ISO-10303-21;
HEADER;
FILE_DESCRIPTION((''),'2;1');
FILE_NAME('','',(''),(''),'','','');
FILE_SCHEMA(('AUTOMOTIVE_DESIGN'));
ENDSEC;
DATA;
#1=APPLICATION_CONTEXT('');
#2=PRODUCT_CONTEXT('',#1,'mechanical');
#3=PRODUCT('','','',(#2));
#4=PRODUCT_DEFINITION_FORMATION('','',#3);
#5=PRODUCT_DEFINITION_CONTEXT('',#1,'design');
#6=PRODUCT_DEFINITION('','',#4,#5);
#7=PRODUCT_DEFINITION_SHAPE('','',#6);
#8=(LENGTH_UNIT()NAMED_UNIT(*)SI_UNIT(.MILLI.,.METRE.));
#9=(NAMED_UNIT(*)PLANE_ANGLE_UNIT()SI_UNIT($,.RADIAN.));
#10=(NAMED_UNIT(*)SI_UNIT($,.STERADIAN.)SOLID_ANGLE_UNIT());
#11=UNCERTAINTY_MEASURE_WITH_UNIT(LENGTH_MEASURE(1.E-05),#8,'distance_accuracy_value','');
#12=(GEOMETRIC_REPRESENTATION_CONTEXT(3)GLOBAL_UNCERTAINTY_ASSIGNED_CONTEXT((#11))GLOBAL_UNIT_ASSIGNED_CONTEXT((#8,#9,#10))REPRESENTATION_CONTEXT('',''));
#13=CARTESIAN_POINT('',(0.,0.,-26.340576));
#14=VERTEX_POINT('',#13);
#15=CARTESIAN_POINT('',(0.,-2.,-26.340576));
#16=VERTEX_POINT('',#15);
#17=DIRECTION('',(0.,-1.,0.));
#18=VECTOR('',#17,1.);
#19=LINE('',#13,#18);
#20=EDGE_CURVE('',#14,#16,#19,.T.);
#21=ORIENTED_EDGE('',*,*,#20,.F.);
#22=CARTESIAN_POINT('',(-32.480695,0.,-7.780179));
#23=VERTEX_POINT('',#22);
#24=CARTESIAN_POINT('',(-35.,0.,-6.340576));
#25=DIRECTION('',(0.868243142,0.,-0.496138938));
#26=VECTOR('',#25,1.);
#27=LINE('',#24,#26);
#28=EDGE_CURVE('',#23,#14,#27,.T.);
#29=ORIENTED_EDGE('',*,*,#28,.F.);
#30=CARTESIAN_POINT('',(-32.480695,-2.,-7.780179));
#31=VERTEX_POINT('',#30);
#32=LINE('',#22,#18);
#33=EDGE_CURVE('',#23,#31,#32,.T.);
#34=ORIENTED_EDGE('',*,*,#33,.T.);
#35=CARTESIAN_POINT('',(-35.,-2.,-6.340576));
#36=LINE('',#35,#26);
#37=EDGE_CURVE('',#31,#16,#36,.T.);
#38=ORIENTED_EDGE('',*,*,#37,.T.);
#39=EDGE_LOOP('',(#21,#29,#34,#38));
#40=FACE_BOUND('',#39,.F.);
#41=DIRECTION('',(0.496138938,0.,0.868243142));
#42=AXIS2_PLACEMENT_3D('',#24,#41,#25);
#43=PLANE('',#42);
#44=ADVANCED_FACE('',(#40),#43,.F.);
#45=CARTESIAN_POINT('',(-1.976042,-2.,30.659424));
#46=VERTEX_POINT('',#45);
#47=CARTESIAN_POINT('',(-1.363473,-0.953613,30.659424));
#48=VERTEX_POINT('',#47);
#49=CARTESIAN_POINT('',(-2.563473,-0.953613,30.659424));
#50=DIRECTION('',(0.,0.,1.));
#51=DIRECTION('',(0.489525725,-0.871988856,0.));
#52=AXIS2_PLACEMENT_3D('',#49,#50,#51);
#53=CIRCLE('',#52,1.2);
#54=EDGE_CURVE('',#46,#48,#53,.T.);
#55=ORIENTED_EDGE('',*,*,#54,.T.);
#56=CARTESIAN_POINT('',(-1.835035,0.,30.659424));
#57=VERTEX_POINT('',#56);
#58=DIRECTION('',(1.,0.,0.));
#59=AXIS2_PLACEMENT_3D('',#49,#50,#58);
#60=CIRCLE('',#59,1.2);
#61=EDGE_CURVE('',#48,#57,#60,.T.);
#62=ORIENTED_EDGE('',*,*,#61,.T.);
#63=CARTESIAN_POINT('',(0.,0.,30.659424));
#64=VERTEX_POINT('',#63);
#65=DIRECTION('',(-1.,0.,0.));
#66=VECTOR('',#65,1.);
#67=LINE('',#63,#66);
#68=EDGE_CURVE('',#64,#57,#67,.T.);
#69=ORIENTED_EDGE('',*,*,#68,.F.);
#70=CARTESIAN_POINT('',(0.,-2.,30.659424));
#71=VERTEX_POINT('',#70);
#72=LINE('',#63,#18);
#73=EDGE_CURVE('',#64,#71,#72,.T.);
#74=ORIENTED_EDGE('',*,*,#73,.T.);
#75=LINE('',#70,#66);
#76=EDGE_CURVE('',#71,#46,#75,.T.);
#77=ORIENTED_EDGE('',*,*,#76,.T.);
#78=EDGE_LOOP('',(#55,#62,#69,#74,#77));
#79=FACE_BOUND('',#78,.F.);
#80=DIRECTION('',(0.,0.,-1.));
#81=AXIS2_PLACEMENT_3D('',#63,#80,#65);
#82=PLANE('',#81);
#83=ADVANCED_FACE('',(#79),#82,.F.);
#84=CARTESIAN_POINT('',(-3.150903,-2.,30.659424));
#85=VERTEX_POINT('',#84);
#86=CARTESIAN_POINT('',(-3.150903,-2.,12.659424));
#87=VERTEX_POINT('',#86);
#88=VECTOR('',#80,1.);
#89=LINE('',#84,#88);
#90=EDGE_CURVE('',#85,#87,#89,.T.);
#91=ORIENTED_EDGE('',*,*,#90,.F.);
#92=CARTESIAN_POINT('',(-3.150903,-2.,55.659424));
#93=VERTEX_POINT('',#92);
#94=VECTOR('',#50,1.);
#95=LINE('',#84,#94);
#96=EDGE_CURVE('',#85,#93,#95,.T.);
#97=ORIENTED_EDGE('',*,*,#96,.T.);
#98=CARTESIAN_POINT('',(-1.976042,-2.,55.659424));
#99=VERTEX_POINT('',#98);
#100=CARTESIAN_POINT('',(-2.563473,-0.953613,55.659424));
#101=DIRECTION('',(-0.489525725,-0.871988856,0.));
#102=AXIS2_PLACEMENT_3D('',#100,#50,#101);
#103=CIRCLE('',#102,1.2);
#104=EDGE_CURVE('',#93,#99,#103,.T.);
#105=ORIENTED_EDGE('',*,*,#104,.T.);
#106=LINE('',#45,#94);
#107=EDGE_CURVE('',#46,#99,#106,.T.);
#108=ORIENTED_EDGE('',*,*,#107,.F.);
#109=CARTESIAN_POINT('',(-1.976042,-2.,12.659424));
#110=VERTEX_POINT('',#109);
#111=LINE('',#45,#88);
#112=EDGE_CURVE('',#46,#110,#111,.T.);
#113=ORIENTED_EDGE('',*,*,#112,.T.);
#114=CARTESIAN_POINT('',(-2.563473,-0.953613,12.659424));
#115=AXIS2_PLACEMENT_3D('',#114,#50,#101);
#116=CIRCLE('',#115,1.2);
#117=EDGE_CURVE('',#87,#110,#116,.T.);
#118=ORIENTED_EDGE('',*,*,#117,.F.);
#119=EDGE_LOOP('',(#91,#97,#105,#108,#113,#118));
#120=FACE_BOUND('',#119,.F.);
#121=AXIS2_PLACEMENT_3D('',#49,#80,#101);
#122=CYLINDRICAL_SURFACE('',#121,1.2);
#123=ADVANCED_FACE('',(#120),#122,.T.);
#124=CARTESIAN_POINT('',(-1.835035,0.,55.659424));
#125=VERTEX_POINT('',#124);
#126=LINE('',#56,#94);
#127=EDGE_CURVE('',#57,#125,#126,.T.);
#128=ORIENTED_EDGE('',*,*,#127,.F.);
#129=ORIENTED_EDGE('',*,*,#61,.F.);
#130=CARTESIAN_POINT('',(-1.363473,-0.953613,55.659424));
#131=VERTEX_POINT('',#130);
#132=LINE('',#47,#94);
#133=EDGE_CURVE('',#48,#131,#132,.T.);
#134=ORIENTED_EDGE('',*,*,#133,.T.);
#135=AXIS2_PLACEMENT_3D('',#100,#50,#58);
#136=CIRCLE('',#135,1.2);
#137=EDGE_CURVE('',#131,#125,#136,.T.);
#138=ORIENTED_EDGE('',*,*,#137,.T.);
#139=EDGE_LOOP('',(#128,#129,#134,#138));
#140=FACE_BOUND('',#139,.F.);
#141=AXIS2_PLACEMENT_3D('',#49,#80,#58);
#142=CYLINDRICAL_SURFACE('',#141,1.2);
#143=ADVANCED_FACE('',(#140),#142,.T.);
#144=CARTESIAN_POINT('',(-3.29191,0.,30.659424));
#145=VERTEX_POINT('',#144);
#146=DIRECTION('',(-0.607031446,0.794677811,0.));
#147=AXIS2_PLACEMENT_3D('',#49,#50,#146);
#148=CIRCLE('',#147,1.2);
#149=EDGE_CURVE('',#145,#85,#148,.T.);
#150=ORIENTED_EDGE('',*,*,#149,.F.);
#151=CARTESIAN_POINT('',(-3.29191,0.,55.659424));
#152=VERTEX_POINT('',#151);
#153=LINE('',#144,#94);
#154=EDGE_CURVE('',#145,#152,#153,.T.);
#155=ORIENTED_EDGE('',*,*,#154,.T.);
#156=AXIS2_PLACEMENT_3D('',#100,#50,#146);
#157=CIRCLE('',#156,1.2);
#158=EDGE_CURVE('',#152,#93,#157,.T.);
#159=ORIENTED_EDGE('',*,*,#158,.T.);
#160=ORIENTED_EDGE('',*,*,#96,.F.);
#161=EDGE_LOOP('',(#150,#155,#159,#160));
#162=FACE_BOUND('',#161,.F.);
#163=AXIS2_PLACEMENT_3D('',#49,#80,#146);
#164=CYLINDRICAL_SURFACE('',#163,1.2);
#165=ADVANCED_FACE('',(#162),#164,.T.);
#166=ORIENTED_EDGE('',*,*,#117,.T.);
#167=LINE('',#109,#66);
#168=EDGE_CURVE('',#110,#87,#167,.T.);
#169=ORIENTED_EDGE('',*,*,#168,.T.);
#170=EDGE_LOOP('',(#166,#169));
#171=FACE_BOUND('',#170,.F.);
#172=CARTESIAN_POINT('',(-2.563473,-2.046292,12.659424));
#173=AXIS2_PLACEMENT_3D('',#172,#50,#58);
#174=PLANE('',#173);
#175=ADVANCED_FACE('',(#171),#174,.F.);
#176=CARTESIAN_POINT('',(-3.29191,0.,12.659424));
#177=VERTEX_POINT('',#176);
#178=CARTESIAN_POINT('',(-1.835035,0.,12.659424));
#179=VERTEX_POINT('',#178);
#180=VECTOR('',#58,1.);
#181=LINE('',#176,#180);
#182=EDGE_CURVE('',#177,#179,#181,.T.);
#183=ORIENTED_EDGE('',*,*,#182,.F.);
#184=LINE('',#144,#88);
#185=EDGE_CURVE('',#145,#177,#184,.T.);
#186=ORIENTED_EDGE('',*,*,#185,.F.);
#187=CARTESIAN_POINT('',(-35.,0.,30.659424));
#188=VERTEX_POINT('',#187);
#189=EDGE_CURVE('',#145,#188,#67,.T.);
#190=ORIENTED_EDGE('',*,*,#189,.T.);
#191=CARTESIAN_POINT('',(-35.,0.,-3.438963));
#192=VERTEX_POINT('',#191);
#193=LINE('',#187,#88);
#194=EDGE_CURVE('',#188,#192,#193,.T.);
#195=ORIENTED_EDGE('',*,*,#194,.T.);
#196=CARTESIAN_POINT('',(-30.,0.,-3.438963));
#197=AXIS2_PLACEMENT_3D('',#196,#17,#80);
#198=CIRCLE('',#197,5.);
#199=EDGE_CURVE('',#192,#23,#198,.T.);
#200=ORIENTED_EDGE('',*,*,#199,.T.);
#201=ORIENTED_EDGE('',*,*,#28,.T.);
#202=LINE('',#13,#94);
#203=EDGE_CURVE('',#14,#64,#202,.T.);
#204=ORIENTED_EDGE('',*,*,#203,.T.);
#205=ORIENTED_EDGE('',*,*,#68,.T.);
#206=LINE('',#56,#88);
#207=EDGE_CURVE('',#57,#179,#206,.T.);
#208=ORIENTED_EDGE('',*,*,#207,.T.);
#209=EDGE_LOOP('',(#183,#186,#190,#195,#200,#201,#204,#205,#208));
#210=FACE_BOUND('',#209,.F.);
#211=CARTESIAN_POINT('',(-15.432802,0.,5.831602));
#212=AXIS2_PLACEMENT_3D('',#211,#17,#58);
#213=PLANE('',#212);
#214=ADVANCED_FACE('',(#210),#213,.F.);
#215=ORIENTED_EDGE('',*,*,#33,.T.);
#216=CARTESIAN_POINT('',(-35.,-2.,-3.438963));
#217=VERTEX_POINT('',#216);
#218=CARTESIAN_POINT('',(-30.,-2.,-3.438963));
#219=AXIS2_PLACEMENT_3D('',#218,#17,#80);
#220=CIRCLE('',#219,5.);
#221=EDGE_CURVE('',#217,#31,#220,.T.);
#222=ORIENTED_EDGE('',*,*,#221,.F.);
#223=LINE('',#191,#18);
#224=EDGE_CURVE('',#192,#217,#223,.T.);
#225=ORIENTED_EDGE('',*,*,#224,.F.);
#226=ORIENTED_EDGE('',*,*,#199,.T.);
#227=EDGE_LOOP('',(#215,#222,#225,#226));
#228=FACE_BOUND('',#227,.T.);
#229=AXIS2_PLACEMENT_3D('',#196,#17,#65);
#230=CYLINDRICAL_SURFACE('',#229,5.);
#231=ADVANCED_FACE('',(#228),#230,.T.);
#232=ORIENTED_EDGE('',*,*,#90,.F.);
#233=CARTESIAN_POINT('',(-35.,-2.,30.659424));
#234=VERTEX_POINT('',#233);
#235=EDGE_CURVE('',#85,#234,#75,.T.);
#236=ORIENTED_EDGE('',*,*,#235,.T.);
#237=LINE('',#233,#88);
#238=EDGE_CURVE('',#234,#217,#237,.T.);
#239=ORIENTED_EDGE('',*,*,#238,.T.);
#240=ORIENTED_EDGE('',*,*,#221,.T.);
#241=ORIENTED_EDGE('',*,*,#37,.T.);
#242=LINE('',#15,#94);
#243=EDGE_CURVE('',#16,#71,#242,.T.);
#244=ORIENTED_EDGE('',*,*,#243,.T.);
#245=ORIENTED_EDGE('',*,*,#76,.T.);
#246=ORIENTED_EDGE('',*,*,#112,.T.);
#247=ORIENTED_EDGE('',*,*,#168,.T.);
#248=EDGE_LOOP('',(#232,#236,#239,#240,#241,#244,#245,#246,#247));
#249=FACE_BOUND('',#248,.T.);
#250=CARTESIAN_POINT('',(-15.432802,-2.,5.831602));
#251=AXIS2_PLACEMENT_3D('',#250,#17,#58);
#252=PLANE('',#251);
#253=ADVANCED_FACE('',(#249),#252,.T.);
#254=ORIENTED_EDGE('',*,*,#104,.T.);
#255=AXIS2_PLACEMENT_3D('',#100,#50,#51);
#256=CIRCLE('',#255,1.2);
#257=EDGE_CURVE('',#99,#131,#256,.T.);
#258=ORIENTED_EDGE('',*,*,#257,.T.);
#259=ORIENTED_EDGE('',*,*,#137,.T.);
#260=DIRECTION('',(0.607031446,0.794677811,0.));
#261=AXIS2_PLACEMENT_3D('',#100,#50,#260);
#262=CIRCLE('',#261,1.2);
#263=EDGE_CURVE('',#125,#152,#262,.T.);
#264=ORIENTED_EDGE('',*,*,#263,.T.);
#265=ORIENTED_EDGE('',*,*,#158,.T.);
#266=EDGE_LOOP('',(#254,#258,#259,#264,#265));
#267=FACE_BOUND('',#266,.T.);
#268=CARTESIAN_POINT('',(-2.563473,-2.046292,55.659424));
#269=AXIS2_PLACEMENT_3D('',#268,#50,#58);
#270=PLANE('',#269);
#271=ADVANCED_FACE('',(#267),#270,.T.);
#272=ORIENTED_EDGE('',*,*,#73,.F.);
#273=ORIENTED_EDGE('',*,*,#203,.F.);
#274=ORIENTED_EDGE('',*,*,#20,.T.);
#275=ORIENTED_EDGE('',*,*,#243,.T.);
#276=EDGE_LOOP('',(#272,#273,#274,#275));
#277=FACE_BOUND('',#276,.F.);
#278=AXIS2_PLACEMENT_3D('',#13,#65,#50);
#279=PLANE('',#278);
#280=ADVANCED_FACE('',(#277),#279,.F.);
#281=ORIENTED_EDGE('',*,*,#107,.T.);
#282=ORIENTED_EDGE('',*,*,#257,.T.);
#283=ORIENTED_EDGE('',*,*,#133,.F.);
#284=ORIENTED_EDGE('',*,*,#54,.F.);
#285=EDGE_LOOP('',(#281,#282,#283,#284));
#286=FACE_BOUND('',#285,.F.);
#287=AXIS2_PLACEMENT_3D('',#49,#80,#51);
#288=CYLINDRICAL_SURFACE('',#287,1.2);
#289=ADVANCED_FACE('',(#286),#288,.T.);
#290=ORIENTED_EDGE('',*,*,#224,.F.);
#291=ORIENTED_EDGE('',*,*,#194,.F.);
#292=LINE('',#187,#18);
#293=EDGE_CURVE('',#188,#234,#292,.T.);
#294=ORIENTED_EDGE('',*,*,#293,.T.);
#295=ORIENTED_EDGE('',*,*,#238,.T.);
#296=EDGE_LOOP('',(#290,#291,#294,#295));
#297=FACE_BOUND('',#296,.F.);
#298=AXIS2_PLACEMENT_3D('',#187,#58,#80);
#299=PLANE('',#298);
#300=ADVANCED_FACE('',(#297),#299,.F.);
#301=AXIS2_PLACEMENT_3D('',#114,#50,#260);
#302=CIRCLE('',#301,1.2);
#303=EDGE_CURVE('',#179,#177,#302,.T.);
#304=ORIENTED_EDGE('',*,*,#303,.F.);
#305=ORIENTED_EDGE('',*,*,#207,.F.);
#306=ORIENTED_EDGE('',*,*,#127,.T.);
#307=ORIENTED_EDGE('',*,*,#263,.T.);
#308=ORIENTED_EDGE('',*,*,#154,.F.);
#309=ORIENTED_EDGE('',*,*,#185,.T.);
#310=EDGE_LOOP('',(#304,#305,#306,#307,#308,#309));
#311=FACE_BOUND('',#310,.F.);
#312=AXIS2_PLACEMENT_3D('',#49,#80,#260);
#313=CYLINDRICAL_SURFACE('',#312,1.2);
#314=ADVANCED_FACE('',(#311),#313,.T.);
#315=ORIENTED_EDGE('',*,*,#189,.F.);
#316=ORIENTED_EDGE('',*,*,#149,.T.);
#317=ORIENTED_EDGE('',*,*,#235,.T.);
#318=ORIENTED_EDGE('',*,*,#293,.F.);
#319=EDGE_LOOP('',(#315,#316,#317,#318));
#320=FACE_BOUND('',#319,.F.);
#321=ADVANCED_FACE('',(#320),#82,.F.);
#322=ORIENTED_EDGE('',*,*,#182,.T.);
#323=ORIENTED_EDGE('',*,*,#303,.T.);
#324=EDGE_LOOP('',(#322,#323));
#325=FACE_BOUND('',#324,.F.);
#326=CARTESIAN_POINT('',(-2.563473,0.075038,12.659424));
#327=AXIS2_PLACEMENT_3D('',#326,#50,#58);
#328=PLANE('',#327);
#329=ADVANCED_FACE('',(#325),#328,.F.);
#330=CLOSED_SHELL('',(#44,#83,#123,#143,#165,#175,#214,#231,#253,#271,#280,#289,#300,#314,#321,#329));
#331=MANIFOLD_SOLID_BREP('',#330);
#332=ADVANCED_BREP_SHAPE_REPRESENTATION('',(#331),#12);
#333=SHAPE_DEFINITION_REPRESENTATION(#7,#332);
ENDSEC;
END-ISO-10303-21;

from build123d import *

# Parameters (mm, degrees)
F1_DEPTH = 2
F3_DEPTH = 18
F4_DEPTH = 25
F5_DEPTH = 25
F6_R     = 5


with BuildPart() as f1:
    # F0 (on Front) → F1 (new body)
    with BuildSketch(Plane.XZ):
        Polygon((0, -26.3405761516), (0, 30.6594238484), (-35, 30.6594238484), (-35, -6.3405761516), align=None)
    extrude(amount=F1_DEPTH)

    # F2 (on face) → F3 (join)
    with BuildSketch(Plane.XY.offset(30.6594238484)):
        with BuildLine():
            Line((-3.2919103401, 0), (-1.8350348686, 0))
            ThreePointArc((-1.8350348686, 0), (-2.5634726044, 0.246386627), (-3.2919103401, 0))
        make_face()
        with BuildLine():
            ThreePointArc((-3.1509034742, -2), (-2.5634726044, -2.153613373), (-1.9760417346, -2))
            Line((-1.9760417346, -2), (-3.1509034742, -2))
        make_face()
    extrude(amount=-F3_DEPTH)

    # F2 (on face) → F4 (join)
    with BuildSketch(Plane.XY.offset(30.6594238484)):
        with BuildLine():
            ThreePointArc((-1.9760417346, -2), (-1.5278768715, -1.5598653652), (-1.3634726044, -0.953613373))
            ThreePointArc((-1.3634726044, -0.953613373), (-1.4878041418, -0.4216948092), (-1.8350348686, 0))
            Line((-1.8350348686, 0), (-3.2919103401, 0))
            ThreePointArc((-3.2919103401, 0), (-3.7605012368, -1.0380080009), (-3.1509034742, -2))
            Line((-3.1509034742, -2), (-1.9760417346, -2))
        make_face()
    extrude(amount=F4_DEPTH)

    # F2 (on face) → F5 (join)
    with BuildSketch(Plane.XY.offset(30.6594238484)):
        with BuildLine():
            ThreePointArc((-3.1509034742, -2), (-2.5634726044, -2.153613373), (-1.9760417346, -2))
            Line((-1.9760417346, -2), (-3.1509034742, -2))
        make_face()
        with BuildLine():
            Line((-3.2919103401, 0), (-1.8350348686, 0))
            ThreePointArc((-1.8350348686, 0), (-2.5634726044, 0.246386627), (-3.2919103401, 0))
        make_face()
    extrude(amount=F5_DEPTH)

    # F6
    f6_edges = [f1.edges().sort_by_distance(p)[0] for p in [
        (-35, -1, -6.340576),
    ]]
    fillet(f6_edges, radius=F6_R)


solid = f1.part
